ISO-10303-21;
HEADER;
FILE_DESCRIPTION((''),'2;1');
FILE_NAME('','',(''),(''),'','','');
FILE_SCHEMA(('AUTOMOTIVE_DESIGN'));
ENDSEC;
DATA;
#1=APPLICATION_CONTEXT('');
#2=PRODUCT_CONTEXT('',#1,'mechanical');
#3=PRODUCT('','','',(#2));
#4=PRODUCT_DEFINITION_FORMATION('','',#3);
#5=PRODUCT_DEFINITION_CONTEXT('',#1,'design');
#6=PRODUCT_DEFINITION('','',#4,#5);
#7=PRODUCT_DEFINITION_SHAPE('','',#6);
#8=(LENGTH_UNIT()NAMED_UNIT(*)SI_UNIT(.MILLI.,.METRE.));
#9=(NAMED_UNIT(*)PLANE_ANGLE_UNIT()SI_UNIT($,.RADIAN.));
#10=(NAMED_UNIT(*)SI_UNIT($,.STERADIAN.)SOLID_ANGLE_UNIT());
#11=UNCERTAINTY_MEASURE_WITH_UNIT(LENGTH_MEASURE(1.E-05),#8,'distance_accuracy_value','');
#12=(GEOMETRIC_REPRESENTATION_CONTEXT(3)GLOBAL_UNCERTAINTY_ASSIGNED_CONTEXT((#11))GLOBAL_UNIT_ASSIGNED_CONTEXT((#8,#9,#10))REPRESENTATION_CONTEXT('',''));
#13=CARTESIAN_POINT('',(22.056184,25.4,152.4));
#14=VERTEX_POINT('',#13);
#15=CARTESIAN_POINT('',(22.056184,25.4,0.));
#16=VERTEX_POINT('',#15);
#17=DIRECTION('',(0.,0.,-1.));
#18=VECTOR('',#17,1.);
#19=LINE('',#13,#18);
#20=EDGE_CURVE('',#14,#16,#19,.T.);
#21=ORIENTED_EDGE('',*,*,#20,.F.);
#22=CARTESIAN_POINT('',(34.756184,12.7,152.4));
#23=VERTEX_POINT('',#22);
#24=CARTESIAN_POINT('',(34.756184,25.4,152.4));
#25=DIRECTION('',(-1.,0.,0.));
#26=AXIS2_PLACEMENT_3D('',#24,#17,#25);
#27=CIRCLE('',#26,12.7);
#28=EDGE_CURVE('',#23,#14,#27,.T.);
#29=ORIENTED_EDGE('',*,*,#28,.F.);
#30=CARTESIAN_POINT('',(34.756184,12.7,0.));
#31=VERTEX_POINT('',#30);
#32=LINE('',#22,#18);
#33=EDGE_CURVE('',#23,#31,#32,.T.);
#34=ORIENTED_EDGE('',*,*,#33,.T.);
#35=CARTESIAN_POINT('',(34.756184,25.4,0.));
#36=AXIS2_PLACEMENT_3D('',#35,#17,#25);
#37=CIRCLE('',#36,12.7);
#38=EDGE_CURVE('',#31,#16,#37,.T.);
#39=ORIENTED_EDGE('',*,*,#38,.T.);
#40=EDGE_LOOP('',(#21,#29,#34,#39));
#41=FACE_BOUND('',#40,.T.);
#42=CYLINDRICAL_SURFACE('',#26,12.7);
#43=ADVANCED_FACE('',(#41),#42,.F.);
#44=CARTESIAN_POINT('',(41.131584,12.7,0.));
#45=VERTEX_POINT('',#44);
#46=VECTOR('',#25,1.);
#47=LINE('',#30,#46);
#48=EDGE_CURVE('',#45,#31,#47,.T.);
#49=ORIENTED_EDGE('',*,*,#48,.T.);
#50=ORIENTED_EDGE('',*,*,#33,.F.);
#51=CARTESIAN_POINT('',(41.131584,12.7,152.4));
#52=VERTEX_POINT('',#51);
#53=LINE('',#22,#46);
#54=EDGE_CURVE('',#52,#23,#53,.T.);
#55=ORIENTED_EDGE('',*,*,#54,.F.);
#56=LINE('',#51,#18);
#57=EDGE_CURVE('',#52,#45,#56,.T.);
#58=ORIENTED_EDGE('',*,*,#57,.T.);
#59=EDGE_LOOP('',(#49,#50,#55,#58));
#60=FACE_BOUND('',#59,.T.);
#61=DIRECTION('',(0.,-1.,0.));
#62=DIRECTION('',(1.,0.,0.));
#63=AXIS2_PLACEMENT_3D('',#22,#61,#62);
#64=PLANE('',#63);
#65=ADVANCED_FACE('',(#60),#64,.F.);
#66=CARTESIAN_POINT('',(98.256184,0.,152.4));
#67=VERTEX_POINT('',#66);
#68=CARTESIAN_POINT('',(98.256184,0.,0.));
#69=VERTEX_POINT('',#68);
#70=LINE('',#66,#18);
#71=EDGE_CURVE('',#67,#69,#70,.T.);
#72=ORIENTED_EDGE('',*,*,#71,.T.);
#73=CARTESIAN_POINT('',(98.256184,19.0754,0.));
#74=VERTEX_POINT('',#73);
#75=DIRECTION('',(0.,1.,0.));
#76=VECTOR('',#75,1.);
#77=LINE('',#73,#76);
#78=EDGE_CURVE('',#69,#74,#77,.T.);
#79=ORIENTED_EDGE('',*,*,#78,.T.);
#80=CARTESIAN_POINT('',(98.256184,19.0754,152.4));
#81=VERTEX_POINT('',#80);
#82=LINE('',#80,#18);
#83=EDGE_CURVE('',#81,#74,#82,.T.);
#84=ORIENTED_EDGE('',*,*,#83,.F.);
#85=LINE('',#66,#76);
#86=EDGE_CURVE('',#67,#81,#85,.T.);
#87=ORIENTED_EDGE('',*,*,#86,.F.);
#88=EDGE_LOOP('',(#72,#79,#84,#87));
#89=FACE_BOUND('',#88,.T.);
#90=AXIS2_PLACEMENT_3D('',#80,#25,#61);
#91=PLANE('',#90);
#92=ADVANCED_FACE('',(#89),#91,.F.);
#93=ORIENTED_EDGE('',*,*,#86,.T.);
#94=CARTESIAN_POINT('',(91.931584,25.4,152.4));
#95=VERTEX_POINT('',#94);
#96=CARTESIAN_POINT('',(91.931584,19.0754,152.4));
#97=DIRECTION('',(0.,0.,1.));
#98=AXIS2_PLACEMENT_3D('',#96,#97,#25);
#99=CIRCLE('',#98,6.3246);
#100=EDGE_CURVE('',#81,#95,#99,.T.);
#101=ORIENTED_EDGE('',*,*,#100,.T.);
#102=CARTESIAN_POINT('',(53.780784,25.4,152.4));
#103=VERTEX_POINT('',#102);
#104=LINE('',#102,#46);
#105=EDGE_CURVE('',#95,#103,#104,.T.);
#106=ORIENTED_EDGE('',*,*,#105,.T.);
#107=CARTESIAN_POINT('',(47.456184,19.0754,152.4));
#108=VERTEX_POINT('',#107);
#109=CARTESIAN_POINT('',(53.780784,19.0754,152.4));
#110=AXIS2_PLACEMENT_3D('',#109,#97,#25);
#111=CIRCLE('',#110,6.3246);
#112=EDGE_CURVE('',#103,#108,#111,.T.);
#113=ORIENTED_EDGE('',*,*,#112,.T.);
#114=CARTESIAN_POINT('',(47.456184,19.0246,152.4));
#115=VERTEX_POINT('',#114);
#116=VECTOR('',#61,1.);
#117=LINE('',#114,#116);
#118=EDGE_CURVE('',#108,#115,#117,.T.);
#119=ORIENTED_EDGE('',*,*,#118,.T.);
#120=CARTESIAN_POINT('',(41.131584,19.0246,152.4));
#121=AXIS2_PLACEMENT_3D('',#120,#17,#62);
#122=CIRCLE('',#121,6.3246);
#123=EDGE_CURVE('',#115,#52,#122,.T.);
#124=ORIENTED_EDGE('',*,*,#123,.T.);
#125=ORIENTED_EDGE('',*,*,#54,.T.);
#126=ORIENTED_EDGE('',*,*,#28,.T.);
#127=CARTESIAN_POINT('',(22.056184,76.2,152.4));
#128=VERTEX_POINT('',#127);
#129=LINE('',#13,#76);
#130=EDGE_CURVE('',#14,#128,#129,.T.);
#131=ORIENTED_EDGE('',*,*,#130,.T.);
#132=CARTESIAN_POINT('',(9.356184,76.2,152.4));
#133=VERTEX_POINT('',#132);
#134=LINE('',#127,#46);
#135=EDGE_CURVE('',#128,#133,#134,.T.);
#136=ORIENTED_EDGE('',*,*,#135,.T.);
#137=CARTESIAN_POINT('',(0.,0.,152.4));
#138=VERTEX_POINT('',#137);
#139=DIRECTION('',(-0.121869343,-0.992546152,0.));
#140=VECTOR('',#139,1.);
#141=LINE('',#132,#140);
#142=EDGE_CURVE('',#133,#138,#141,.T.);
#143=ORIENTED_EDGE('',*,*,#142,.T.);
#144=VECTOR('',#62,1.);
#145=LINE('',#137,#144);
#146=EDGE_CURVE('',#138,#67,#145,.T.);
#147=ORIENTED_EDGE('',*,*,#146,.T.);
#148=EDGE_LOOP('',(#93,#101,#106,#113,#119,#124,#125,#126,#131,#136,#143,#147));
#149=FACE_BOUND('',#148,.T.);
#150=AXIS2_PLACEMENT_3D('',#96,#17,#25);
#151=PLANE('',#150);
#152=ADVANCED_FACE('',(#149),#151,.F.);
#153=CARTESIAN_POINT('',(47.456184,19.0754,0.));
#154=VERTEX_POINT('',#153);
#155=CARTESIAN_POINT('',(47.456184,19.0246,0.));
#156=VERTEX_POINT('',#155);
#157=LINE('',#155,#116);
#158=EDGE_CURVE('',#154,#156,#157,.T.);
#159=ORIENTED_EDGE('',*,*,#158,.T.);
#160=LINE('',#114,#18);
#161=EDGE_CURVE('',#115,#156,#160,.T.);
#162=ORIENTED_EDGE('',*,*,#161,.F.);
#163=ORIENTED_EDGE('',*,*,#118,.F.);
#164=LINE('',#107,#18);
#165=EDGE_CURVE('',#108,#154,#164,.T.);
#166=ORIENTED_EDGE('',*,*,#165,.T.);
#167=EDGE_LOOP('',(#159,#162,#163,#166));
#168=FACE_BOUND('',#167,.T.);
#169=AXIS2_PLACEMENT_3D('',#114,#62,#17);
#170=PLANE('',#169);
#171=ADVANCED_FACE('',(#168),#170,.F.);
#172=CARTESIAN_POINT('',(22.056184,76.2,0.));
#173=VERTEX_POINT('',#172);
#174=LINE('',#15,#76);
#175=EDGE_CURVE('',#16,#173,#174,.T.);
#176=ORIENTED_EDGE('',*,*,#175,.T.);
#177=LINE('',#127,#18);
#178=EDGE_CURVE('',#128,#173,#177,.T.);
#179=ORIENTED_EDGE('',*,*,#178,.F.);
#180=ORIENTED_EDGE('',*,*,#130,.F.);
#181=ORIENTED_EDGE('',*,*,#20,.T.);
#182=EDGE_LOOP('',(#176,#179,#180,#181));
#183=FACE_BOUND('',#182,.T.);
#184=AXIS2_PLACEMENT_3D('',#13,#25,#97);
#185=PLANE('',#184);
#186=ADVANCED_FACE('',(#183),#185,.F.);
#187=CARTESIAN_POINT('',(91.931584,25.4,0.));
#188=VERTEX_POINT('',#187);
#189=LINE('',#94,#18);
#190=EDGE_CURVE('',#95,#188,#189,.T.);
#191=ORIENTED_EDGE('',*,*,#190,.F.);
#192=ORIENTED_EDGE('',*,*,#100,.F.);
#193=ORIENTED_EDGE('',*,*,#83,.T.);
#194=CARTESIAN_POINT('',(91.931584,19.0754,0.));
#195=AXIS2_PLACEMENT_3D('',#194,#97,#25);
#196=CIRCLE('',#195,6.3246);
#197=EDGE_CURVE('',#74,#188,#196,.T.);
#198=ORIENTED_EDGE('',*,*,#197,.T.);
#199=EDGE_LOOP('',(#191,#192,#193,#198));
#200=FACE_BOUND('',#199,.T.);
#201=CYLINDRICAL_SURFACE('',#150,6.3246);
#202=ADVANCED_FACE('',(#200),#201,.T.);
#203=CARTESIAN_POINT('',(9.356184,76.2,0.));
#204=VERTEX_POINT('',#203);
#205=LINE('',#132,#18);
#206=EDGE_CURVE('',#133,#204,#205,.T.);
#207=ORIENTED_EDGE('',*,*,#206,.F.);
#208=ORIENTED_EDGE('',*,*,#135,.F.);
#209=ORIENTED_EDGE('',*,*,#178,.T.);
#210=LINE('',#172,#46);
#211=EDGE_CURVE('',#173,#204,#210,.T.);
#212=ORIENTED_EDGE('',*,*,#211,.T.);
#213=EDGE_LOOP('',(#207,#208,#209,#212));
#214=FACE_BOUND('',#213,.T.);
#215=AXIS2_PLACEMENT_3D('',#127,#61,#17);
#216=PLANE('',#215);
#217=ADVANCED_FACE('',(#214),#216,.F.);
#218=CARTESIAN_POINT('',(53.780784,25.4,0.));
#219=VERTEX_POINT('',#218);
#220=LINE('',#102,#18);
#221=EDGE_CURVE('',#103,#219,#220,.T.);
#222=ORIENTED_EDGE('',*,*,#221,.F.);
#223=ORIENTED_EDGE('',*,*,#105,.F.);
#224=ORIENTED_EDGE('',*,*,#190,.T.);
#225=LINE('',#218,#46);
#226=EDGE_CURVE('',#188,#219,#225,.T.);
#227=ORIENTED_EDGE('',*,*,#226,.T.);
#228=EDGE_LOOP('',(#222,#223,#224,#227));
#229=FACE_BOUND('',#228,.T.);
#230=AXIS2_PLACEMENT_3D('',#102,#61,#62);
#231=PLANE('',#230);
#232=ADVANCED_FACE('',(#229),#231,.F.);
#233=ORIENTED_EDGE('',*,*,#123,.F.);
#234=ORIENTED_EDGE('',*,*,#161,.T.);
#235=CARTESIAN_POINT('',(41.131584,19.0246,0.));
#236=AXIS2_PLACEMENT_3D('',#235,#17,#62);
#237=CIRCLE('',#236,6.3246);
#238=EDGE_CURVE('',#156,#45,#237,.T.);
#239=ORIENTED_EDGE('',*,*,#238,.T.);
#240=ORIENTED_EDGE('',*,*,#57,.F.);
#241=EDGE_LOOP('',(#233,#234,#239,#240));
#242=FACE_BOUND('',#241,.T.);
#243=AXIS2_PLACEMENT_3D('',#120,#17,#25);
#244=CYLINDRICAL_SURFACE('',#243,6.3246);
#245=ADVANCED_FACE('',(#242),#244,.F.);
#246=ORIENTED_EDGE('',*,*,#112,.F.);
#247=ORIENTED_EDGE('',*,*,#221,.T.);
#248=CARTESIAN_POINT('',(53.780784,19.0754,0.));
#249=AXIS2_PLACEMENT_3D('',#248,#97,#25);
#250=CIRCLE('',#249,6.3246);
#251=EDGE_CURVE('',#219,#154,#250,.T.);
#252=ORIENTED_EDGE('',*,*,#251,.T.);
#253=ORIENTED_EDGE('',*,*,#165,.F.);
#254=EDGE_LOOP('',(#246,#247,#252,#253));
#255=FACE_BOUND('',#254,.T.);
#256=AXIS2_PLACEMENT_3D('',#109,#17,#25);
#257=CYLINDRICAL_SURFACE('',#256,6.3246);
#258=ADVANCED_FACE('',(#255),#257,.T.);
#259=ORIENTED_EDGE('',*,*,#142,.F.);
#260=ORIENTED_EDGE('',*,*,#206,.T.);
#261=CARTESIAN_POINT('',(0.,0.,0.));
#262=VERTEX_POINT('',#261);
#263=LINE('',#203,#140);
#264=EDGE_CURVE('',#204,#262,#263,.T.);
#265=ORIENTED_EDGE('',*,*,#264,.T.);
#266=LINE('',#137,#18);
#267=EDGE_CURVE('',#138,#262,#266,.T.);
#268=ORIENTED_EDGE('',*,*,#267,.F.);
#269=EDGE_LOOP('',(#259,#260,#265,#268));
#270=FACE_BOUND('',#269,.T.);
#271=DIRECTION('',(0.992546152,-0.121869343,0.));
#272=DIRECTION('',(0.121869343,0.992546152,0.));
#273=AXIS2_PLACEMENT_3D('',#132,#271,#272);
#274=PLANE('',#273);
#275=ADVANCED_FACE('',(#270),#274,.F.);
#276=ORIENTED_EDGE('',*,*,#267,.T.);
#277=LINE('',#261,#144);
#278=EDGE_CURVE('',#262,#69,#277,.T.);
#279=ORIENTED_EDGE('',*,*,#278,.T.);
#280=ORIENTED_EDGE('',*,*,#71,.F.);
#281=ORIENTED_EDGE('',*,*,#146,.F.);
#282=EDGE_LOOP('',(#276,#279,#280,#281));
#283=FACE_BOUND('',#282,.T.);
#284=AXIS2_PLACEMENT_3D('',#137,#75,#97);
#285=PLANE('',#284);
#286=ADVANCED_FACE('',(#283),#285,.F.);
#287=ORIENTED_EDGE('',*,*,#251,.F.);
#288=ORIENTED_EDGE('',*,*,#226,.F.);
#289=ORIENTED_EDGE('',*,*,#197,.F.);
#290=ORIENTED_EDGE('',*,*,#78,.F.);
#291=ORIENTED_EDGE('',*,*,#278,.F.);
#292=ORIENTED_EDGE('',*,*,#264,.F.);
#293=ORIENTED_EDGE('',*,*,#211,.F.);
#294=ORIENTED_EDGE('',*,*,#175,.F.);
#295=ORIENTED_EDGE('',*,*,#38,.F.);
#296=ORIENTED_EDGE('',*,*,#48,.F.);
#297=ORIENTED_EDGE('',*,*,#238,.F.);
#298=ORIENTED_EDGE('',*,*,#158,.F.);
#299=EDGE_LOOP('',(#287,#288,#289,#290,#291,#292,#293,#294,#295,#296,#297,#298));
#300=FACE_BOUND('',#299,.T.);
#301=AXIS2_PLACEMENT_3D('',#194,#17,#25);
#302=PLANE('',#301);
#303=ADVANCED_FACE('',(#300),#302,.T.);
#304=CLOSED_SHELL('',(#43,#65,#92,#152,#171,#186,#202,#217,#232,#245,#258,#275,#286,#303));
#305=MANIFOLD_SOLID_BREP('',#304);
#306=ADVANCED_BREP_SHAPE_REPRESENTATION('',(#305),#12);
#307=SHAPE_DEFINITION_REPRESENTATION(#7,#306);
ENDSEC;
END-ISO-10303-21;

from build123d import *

# Parameters (mm, degrees)
BOSS_EXTRUDE1_DEPTH = 152.4


with BuildPart() as part:
    # Sketch1 → Boss-Extrude1 (new body)
    with BuildSketch(Plane.XY):
        with BuildLine():
            Line((0, 0), (98.256183541, 0))
            Line((98.256183541, 0), (98.256183541, 12.7))
            Line((98.256183541, 12.7), (98.256183541, 19.0754))
            ThreePointArc((98.256183541, 19.0754), (96.403751089, 23.547567548), (91.931583541, 25.4))
            Line((91.931583541, 25.4), (53.780783541, 25.4))
            ThreePointArc((53.780783541, 25.4), (49.308615993, 23.547567548), (47.456183541, 19.0754))
            Line((47.456183541, 19.0754), (47.456183541, 19.0246))
            ThreePointArc((47.456183541, 19.0246), (45.603751089, 14.552432452), (41.131583541, 12.7))
            Line((41.131583541, 12.7), (34.756183541, 12.7))
            ThreePointArc((34.756183541, 12.7), (25.77592742, 16.419743879), (22.056183541, 25.4))
            Line((22.056183541, 25.4), (22.056183541, 76.2))
            Line((22.056183541, 76.2), (9.356183541, 76.2))
            Line((9.356183541, 76.2), (0, 0))
        make_face()
    extrude(amount=BOSS_EXTRUDE1_DEPTH)


solid = part.part
